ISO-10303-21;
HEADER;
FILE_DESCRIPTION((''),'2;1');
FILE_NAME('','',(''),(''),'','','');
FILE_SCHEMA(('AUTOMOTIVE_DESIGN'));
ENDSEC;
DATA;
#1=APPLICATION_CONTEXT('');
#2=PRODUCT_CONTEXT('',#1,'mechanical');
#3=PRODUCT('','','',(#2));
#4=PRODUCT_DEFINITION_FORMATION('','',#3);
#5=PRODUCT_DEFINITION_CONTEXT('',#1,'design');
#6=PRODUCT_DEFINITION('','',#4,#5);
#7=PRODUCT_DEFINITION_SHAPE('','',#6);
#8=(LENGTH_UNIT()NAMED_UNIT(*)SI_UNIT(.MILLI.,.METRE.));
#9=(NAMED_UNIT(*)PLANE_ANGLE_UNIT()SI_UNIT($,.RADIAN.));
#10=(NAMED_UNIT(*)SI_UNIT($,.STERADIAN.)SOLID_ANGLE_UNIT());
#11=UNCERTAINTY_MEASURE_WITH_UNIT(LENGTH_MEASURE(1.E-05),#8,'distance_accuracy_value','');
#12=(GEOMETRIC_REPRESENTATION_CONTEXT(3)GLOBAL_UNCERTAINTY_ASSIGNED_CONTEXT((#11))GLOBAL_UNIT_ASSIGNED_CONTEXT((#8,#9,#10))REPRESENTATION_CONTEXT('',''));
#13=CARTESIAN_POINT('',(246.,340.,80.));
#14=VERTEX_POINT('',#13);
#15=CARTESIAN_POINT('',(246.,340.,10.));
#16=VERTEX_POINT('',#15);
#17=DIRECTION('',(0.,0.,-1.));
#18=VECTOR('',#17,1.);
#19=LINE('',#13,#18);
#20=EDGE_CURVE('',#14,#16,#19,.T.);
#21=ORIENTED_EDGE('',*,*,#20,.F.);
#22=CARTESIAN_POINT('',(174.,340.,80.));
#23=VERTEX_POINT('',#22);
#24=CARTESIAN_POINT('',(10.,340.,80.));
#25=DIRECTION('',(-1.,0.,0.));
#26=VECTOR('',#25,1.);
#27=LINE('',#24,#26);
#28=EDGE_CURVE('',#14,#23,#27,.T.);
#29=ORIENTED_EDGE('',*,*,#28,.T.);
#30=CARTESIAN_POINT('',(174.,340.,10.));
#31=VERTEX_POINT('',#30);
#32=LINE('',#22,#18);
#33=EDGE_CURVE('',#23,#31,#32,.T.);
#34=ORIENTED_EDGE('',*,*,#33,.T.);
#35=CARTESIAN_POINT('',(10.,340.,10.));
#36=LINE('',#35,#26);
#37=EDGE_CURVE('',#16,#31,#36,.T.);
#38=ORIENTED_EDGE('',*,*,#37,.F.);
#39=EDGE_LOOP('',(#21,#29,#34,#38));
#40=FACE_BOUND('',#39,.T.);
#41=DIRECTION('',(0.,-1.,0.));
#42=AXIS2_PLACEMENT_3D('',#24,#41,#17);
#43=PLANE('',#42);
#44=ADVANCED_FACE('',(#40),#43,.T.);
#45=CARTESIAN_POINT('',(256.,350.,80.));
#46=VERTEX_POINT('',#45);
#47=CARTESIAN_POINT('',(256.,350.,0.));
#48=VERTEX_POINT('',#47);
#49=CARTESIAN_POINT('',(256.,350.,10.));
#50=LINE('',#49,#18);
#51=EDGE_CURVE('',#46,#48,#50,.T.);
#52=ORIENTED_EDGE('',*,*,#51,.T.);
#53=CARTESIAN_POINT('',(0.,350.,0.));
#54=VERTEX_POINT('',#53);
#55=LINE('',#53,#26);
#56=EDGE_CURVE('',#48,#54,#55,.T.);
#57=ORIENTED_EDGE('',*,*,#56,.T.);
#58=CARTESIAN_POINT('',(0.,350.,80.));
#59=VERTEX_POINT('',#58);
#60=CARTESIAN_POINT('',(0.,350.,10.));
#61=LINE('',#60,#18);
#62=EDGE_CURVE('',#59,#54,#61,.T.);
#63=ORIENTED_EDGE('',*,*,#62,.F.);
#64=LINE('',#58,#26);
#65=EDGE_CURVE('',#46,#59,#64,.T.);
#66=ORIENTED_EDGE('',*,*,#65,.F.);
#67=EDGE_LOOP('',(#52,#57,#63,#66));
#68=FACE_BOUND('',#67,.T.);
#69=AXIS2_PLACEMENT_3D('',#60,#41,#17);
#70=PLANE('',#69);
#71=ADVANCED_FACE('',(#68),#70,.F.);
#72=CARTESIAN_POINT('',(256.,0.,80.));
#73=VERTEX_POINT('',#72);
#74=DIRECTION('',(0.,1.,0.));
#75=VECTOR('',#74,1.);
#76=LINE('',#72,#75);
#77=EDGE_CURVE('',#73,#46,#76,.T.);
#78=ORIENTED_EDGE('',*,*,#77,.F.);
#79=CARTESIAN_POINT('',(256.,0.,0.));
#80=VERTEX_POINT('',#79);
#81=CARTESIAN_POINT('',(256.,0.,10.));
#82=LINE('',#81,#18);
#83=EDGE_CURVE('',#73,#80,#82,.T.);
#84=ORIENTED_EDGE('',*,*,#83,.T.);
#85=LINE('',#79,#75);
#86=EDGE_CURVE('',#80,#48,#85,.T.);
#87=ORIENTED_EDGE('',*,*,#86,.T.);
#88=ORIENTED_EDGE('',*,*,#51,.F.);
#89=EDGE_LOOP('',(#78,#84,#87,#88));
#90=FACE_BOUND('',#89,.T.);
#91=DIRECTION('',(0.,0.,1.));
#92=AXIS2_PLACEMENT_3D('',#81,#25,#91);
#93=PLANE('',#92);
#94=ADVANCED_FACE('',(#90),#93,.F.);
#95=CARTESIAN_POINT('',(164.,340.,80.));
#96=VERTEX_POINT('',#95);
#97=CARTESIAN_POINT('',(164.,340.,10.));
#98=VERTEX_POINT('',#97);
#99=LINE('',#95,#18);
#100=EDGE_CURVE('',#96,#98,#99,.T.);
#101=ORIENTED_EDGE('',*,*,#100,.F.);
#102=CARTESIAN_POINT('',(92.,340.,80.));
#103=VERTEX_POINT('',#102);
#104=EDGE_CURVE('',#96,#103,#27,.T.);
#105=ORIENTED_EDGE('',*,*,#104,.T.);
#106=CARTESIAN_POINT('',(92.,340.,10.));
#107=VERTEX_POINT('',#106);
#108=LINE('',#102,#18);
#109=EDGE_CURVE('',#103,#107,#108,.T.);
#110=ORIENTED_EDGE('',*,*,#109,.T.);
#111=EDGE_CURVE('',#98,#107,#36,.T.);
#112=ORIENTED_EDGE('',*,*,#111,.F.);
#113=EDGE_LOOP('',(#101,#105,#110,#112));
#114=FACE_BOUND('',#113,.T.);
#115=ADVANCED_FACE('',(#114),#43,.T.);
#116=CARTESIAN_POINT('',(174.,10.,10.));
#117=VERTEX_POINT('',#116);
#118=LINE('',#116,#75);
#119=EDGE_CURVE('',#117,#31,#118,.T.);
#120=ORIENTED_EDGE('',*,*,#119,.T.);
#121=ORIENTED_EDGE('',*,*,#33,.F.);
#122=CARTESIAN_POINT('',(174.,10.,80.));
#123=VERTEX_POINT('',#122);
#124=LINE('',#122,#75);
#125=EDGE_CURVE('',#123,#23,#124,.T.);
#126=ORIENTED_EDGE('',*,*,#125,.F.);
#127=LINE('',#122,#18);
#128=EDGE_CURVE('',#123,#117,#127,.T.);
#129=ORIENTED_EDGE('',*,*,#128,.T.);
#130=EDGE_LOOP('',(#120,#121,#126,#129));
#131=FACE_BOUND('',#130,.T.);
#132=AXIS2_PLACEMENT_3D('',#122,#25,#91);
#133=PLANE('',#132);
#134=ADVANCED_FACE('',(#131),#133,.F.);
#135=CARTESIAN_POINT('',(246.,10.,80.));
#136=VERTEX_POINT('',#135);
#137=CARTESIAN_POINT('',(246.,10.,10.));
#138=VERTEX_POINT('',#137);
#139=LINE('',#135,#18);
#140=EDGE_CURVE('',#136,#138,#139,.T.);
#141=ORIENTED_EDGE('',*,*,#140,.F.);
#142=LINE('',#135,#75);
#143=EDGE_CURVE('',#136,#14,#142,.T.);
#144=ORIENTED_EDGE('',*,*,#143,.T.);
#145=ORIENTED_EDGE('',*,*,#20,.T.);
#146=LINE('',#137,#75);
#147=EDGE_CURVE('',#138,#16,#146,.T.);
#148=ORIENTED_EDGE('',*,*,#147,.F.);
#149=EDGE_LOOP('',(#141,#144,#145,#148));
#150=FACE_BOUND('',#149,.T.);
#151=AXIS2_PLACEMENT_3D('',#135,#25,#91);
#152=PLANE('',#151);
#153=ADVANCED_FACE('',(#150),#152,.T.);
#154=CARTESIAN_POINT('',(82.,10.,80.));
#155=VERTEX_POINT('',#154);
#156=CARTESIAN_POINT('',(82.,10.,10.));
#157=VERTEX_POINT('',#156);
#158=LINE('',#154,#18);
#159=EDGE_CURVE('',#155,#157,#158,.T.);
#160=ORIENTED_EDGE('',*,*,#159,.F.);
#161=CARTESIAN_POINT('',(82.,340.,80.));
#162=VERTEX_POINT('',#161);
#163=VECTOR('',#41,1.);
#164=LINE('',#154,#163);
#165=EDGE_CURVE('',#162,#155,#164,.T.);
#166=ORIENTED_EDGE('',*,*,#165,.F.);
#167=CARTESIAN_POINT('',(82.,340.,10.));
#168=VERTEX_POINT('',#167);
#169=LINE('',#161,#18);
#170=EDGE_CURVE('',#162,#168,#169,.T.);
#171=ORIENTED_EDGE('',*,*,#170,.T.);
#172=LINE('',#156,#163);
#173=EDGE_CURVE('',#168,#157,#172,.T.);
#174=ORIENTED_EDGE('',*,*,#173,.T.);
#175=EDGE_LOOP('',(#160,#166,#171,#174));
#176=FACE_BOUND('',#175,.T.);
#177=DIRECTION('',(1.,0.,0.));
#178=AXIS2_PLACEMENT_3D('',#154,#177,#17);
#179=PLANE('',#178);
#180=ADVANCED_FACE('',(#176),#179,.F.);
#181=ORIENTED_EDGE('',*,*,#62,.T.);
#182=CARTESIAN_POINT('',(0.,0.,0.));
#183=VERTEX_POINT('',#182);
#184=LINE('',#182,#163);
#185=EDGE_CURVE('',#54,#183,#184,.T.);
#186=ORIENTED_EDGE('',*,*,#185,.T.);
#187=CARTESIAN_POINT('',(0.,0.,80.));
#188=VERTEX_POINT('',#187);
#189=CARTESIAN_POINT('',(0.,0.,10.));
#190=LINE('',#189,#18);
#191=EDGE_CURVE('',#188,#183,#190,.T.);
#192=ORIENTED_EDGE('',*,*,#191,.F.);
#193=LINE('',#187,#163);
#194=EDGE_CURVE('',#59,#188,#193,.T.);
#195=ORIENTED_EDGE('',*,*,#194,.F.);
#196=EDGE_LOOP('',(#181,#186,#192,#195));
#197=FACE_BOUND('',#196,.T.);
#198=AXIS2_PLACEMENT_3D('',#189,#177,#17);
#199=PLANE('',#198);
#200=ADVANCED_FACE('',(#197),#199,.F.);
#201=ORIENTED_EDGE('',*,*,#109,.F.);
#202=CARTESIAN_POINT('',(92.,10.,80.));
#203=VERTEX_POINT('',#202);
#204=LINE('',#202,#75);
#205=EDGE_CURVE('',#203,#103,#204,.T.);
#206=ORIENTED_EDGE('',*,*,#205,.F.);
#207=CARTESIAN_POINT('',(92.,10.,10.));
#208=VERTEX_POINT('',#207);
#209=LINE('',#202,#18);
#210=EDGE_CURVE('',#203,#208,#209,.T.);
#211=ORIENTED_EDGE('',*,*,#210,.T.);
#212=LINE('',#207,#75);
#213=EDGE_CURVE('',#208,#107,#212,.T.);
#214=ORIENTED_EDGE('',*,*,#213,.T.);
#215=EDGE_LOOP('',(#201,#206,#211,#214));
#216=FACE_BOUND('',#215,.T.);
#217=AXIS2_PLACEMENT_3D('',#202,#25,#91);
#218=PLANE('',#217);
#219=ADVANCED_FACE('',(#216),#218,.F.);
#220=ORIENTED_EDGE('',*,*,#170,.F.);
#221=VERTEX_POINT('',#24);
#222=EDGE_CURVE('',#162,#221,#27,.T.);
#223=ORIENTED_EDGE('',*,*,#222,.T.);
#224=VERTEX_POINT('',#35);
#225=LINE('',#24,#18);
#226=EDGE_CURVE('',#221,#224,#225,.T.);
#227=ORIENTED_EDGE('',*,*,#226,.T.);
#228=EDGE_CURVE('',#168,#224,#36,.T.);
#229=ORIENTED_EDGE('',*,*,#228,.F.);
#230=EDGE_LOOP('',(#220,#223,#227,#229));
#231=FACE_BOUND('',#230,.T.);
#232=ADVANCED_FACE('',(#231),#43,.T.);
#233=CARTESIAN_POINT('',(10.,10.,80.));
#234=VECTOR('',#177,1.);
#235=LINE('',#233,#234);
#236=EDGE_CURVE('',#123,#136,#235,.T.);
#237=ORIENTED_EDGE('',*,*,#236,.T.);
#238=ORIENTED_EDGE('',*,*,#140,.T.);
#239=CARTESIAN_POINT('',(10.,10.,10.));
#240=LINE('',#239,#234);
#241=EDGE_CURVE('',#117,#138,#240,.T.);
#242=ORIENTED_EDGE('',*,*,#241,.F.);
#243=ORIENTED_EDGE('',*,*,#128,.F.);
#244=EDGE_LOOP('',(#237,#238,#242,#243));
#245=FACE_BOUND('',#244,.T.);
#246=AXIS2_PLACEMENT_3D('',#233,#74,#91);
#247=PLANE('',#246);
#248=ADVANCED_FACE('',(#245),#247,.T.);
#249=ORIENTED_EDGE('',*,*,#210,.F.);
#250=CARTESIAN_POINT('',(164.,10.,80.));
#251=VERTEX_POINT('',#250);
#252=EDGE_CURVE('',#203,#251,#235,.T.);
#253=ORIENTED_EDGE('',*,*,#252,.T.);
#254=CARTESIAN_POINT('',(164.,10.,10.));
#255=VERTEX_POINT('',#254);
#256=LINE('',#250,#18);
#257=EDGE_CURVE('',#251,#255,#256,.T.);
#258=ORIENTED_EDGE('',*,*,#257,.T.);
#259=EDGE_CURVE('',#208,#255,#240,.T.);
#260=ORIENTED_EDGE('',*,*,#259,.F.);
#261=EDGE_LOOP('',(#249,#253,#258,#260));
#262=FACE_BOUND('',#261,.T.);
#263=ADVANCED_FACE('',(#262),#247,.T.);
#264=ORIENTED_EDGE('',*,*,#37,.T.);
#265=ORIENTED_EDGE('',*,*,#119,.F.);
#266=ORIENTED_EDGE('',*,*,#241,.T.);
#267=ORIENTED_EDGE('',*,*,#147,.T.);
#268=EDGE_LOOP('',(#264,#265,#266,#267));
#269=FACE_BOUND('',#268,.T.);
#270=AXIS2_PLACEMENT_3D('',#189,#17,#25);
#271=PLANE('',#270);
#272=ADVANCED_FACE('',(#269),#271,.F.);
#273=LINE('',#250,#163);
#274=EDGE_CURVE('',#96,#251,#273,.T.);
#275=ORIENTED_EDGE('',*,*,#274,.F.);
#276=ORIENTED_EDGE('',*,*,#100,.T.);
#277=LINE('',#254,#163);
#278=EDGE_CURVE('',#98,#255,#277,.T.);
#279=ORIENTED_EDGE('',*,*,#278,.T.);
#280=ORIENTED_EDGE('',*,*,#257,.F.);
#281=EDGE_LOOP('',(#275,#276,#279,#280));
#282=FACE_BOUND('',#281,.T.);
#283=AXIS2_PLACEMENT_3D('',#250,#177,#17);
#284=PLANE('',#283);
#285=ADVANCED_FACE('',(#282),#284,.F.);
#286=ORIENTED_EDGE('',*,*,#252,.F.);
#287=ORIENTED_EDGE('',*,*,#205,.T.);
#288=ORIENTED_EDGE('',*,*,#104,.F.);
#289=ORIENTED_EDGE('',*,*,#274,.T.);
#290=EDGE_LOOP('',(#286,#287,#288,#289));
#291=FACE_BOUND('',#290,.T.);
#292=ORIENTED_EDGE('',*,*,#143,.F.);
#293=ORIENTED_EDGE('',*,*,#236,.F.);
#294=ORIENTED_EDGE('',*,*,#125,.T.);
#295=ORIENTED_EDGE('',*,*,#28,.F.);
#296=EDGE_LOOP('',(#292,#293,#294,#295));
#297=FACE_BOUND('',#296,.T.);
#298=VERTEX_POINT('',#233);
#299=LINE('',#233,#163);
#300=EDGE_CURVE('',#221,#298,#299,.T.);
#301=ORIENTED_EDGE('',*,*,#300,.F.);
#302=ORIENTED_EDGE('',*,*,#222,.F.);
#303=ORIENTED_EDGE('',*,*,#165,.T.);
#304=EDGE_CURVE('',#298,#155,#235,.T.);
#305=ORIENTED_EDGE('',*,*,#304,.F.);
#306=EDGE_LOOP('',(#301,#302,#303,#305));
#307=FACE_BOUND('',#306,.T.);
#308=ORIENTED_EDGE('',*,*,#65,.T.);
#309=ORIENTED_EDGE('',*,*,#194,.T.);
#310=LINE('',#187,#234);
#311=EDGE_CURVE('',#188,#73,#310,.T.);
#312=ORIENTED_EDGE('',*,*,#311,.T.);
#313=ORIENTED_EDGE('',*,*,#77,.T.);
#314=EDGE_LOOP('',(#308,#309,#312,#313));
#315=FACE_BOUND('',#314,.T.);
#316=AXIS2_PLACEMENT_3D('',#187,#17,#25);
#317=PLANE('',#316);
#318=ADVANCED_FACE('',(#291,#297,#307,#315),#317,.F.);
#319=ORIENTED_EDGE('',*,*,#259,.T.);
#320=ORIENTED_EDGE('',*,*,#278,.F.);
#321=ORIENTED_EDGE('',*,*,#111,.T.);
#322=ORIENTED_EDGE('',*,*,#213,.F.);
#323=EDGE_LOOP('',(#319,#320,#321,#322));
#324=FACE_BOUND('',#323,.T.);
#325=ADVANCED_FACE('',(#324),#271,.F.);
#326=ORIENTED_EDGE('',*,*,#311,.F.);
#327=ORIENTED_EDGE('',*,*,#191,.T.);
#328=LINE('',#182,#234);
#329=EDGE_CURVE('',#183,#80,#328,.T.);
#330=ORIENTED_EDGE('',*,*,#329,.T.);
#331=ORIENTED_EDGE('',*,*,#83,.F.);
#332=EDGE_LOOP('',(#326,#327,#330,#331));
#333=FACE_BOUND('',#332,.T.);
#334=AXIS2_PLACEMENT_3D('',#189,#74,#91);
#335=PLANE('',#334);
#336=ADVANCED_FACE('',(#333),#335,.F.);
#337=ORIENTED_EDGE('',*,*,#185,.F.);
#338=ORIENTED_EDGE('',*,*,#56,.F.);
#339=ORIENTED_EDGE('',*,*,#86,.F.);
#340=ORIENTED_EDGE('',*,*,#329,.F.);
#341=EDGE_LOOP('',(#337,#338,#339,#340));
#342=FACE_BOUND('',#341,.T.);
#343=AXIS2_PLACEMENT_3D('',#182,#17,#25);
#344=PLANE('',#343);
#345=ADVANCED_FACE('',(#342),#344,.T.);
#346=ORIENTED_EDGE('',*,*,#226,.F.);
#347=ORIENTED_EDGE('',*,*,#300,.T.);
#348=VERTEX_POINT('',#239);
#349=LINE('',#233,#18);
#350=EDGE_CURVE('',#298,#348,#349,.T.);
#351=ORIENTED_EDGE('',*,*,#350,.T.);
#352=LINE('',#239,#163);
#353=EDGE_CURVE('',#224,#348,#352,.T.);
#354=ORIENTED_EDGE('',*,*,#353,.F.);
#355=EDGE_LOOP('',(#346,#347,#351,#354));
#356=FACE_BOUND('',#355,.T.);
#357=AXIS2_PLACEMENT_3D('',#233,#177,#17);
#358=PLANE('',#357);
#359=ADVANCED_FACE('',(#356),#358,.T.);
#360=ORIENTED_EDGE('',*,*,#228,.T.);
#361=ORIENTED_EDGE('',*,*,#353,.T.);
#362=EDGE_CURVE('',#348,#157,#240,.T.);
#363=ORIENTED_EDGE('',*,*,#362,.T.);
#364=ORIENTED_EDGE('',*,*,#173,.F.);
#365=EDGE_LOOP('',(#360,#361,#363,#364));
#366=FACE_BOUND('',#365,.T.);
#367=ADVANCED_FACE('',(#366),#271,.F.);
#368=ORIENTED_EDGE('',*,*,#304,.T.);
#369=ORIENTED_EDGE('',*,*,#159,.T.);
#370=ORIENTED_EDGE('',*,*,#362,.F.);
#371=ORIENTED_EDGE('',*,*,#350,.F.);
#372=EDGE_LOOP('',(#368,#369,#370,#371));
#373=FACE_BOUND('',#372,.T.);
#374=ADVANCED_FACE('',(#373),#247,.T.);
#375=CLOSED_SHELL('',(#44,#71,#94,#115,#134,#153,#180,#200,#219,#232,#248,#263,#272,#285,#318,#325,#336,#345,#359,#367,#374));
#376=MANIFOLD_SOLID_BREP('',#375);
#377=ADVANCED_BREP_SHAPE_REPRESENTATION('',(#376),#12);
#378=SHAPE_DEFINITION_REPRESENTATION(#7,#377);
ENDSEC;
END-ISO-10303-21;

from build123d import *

# Parameters (mm, degrees)
ESQUISSE1_W        = 256
ESQUISSE1_H        = 350
BOSS_EXTRU_1_DEPTH = 10
ESQUISSE2_W        = 256
ESQUISSE2_H        = 350
ESQUISSE2_W_2      = 236
ESQUISSE2_H_2      = 330
BOSS_EXTRU_2_DEPTH = 70
ESQUISSE3_W        = 10
ESQUISSE3_H        = 330
BOSS_EXTRU_3_DEPTH = 70


with BuildPart() as part:
    # Esquisse1 → Boss.-Extru.1 (new body)
    with BuildSketch(Plane.XY):
        with Locations((128, 175)):
            Rectangle(ESQUISSE1_W, ESQUISSE1_H)
    extrude(amount=BOSS_EXTRU_1_DEPTH)

    # Esquisse2 → Boss.-Extru.2 (add)
    with BuildSketch(Plane.XY.offset(10)):
        with Locations((128, 175)):
            Rectangle(ESQUISSE2_W, ESQUISSE2_H)
        with Locations((128, 175)):
            Rectangle(ESQUISSE2_W_2, ESQUISSE2_H_2, mode=Mode.SUBTRACT)
    extrude(amount=BOSS_EXTRU_2_DEPTH)

    # Esquisse3 → Boss.-Extru.3 (add)
    with BuildSketch(Plane.XY.offset(10)):
        with Locations((87, 175)):
            Rectangle(ESQUISSE3_W, ESQUISSE3_H)
        with Locations((169, 175)):
            Rectangle(ESQUISSE3_W, ESQUISSE3_H)
    extrude(amount=BOSS_EXTRU_3_DEPTH)


solid = part.part
